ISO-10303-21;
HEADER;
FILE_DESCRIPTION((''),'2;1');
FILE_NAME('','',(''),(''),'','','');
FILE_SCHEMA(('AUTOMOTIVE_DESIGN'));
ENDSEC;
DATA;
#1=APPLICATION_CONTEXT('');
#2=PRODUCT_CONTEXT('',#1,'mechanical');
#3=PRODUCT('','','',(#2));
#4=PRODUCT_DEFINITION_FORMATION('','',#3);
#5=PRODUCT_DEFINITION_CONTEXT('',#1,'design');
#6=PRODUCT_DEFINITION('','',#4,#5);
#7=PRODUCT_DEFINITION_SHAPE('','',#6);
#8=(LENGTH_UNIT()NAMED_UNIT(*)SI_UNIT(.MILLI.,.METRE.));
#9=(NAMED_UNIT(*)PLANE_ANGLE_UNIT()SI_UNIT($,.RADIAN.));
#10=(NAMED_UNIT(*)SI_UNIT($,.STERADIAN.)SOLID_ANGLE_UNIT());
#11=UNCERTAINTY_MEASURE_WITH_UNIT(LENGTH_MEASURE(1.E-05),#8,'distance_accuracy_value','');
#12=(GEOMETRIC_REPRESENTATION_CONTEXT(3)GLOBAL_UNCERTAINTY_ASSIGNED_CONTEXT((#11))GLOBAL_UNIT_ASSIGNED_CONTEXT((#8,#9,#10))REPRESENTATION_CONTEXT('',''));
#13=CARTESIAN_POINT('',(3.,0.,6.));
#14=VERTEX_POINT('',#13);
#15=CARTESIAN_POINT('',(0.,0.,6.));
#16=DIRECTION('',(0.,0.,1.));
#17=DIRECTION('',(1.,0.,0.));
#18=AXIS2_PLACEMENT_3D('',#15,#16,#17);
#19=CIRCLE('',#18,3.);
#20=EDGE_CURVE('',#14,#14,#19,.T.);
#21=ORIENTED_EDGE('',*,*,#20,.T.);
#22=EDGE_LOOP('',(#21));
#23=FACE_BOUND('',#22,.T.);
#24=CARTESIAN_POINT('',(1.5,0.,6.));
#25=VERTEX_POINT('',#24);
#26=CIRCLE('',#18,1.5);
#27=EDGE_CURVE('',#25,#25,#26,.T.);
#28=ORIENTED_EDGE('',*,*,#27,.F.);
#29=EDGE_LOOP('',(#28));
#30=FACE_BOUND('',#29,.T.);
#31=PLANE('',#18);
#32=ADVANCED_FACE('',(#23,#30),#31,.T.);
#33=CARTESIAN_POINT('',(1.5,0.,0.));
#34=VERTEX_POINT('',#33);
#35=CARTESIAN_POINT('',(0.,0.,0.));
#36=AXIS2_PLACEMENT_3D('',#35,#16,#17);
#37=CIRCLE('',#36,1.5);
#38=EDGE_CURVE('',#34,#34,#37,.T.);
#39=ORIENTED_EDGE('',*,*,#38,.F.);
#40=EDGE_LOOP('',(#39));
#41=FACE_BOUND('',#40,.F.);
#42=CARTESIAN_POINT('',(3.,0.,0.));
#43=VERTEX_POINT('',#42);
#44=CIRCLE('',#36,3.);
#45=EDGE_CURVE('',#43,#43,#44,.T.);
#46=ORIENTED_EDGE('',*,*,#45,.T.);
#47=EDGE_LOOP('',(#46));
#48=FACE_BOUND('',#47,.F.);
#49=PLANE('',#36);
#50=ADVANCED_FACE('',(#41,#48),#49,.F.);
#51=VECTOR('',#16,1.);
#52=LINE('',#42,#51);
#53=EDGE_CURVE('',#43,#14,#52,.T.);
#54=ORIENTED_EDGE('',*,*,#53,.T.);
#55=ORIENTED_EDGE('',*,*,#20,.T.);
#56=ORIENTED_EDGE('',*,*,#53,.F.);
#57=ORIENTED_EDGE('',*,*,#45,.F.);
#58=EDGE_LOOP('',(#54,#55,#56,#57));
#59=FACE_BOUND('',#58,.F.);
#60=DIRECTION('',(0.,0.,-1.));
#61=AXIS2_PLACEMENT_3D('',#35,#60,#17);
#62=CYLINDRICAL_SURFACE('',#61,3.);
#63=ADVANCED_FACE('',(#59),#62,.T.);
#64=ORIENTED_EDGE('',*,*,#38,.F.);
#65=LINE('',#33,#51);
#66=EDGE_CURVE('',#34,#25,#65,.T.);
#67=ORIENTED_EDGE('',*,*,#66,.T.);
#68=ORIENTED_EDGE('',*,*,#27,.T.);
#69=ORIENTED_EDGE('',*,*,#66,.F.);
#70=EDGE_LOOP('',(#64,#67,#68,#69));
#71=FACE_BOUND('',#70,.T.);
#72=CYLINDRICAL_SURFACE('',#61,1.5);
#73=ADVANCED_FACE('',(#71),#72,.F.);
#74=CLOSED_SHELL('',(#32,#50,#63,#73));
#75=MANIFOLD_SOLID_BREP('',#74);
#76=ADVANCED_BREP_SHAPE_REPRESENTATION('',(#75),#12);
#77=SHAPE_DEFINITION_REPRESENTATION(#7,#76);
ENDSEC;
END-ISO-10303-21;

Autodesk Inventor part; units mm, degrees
ref_plane "YZ Plane" through (0, 0, 0) normal (1, 0, 0) x (0, 1, 0)
ref_plane "XZ Plane" through (0, 0, 0) normal (0, 1, 0) x (-1, 0, 0)
ref_plane "XY Plane" through (0, 0, 0) normal (0, 0, 1) x (1, 0, 0)
sketch "スケッチ1" plane through (0, 0, 0) normal (0, 0, 1) x (1, 0, 0)
  circle A0 centre (0, 0) radius 1.5
  circle A1 centre (0, 0) radius 3
  dimension "d0" = 3
  dimension "d1" = 6
extrude "押し出し1" add sketch "スケッチ1" along normal blind 6
thread "ねじ1" size "M3x0.5" class "6H" standard "ANSI Metric M Profile" length 100
properties part number "スペーサーM3L6樹脂" material "アセタール樹脂、黒"
